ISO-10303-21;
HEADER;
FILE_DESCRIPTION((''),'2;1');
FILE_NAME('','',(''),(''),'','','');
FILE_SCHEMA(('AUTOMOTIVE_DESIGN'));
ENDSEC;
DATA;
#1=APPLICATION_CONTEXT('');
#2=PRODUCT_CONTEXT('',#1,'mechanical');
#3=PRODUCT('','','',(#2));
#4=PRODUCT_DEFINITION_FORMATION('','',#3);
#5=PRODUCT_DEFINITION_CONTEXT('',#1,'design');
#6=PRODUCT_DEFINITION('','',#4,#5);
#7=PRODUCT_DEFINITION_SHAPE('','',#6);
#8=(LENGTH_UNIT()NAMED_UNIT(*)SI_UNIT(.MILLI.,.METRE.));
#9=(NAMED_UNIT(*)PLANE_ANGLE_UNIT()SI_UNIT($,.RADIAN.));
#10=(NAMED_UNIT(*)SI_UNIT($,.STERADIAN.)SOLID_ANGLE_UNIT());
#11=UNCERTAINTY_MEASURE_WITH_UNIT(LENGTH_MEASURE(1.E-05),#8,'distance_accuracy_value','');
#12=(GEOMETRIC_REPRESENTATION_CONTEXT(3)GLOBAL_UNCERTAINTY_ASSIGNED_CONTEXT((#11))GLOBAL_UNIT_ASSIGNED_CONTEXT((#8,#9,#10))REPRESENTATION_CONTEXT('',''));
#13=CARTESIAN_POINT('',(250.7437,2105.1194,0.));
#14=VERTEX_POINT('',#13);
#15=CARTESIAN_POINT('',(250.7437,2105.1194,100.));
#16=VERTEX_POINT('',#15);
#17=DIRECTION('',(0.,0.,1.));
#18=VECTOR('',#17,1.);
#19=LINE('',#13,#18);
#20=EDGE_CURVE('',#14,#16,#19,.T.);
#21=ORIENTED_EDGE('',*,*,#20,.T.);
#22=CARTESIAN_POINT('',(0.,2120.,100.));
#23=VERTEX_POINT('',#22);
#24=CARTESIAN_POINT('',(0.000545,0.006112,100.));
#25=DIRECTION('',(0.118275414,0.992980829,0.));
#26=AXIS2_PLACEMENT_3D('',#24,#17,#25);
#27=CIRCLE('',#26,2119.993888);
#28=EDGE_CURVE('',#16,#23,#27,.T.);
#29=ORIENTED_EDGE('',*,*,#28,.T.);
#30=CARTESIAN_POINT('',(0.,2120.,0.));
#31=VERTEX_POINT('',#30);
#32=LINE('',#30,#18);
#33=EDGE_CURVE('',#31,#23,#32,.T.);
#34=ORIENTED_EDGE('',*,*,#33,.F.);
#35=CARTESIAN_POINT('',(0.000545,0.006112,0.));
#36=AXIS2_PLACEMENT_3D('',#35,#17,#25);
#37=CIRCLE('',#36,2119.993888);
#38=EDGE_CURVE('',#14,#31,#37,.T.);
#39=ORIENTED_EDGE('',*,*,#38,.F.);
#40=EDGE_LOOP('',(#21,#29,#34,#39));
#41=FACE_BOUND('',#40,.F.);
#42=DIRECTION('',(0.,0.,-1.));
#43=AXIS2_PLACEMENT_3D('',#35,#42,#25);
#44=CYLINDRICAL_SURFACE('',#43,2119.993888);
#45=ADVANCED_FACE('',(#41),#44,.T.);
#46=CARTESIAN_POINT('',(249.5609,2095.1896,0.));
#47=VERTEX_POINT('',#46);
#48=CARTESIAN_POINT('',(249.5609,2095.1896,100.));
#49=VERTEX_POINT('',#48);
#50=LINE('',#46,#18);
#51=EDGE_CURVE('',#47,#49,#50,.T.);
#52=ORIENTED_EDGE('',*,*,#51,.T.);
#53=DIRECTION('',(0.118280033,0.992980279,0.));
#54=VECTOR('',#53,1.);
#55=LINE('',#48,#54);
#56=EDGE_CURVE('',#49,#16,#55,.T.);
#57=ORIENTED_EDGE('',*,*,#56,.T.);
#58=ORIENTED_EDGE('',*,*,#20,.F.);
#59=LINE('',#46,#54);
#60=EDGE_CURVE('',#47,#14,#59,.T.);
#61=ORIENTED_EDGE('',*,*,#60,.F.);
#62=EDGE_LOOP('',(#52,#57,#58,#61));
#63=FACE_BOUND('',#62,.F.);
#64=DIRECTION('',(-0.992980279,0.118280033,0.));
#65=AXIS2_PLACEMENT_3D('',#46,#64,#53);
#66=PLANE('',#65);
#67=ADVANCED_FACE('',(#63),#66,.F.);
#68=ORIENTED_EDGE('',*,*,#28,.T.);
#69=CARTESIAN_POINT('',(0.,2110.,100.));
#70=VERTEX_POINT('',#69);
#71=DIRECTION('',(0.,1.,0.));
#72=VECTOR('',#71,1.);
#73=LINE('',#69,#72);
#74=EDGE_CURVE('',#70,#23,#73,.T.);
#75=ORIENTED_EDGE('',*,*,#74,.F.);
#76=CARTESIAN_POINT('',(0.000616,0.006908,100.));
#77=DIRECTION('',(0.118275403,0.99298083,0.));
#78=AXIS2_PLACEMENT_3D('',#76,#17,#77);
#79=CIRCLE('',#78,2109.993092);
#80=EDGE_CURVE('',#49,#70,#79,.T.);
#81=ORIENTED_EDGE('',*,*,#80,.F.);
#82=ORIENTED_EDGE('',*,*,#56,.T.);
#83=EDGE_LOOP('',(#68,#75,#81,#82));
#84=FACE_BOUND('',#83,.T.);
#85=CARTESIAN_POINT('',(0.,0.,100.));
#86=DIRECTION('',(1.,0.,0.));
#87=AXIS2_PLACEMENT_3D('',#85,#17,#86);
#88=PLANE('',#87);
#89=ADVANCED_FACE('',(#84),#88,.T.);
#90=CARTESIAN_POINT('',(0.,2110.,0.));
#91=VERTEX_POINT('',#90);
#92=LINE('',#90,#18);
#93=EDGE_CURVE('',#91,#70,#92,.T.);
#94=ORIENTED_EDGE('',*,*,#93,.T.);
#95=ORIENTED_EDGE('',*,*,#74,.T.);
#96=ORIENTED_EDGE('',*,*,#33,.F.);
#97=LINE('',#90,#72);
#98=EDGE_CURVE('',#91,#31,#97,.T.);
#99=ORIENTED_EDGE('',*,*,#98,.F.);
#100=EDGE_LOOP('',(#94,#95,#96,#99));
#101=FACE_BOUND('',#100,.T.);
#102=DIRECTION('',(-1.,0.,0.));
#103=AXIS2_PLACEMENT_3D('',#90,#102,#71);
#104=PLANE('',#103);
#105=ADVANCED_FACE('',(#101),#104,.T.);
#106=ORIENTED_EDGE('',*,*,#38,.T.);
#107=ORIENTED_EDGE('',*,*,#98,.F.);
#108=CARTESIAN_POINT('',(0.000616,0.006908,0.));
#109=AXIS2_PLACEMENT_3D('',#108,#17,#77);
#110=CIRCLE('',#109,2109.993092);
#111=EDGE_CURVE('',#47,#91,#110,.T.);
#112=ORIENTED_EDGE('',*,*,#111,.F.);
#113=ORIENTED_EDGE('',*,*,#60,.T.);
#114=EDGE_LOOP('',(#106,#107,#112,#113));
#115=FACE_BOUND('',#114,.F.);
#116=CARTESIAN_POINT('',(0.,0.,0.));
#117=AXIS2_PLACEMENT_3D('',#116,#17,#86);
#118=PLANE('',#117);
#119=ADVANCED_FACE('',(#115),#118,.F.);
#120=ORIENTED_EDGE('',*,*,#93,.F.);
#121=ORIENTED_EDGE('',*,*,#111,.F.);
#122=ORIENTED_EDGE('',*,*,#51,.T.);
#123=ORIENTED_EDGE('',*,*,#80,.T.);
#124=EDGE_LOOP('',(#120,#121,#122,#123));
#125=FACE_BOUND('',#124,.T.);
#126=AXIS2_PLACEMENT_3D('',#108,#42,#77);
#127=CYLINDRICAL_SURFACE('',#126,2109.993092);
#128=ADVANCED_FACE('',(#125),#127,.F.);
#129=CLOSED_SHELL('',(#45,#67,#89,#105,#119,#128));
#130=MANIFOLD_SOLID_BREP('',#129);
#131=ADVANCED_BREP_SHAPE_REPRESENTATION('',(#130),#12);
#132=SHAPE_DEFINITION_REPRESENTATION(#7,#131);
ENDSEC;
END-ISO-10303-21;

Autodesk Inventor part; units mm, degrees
ref_plane "XY Plane" through (0, 0, 0) normal (0, 0, 1) x (1, 0, 0)
sketch "Sketch1" plane through (0, 0, 0) normal (0, 0, 1) x (1, 0, 0)
  arc A0 (250.7437, 2105.1194) -> (0, 2120) centre (0, 0) ccw
  arc A1 (249.5609, 2095.1896) -> (0, 2110) centre (0, 0) ccw
  line L0 (0, 2110) -> (0, 2120)
  arc A2 (249.5609, 2095.1896) -> (0, 2110) centre (0, 0) ccw
  line L1 (249.5609, 2095.1896) -> (250.7437, 2105.1194)
  arc A3 (250.7437, 2105.1194) -> (0, 2120) centre (0, 0) ccw
  dimension "d1" = 4240
  dimension "d2" = 4220
  dimension "d4" = 250
  dimension "d5" = 10
extrude "Extrusion1" add sketch "Sketch1" along normal blind 100
ref_plane "Work Plane1" through (0, 0, 100) normal (0.9982, -0.0592, 0) x (0, 0, 1)
properties part number "Doubler Plate, Bolted and Welded" material "Aluminum 6061"
